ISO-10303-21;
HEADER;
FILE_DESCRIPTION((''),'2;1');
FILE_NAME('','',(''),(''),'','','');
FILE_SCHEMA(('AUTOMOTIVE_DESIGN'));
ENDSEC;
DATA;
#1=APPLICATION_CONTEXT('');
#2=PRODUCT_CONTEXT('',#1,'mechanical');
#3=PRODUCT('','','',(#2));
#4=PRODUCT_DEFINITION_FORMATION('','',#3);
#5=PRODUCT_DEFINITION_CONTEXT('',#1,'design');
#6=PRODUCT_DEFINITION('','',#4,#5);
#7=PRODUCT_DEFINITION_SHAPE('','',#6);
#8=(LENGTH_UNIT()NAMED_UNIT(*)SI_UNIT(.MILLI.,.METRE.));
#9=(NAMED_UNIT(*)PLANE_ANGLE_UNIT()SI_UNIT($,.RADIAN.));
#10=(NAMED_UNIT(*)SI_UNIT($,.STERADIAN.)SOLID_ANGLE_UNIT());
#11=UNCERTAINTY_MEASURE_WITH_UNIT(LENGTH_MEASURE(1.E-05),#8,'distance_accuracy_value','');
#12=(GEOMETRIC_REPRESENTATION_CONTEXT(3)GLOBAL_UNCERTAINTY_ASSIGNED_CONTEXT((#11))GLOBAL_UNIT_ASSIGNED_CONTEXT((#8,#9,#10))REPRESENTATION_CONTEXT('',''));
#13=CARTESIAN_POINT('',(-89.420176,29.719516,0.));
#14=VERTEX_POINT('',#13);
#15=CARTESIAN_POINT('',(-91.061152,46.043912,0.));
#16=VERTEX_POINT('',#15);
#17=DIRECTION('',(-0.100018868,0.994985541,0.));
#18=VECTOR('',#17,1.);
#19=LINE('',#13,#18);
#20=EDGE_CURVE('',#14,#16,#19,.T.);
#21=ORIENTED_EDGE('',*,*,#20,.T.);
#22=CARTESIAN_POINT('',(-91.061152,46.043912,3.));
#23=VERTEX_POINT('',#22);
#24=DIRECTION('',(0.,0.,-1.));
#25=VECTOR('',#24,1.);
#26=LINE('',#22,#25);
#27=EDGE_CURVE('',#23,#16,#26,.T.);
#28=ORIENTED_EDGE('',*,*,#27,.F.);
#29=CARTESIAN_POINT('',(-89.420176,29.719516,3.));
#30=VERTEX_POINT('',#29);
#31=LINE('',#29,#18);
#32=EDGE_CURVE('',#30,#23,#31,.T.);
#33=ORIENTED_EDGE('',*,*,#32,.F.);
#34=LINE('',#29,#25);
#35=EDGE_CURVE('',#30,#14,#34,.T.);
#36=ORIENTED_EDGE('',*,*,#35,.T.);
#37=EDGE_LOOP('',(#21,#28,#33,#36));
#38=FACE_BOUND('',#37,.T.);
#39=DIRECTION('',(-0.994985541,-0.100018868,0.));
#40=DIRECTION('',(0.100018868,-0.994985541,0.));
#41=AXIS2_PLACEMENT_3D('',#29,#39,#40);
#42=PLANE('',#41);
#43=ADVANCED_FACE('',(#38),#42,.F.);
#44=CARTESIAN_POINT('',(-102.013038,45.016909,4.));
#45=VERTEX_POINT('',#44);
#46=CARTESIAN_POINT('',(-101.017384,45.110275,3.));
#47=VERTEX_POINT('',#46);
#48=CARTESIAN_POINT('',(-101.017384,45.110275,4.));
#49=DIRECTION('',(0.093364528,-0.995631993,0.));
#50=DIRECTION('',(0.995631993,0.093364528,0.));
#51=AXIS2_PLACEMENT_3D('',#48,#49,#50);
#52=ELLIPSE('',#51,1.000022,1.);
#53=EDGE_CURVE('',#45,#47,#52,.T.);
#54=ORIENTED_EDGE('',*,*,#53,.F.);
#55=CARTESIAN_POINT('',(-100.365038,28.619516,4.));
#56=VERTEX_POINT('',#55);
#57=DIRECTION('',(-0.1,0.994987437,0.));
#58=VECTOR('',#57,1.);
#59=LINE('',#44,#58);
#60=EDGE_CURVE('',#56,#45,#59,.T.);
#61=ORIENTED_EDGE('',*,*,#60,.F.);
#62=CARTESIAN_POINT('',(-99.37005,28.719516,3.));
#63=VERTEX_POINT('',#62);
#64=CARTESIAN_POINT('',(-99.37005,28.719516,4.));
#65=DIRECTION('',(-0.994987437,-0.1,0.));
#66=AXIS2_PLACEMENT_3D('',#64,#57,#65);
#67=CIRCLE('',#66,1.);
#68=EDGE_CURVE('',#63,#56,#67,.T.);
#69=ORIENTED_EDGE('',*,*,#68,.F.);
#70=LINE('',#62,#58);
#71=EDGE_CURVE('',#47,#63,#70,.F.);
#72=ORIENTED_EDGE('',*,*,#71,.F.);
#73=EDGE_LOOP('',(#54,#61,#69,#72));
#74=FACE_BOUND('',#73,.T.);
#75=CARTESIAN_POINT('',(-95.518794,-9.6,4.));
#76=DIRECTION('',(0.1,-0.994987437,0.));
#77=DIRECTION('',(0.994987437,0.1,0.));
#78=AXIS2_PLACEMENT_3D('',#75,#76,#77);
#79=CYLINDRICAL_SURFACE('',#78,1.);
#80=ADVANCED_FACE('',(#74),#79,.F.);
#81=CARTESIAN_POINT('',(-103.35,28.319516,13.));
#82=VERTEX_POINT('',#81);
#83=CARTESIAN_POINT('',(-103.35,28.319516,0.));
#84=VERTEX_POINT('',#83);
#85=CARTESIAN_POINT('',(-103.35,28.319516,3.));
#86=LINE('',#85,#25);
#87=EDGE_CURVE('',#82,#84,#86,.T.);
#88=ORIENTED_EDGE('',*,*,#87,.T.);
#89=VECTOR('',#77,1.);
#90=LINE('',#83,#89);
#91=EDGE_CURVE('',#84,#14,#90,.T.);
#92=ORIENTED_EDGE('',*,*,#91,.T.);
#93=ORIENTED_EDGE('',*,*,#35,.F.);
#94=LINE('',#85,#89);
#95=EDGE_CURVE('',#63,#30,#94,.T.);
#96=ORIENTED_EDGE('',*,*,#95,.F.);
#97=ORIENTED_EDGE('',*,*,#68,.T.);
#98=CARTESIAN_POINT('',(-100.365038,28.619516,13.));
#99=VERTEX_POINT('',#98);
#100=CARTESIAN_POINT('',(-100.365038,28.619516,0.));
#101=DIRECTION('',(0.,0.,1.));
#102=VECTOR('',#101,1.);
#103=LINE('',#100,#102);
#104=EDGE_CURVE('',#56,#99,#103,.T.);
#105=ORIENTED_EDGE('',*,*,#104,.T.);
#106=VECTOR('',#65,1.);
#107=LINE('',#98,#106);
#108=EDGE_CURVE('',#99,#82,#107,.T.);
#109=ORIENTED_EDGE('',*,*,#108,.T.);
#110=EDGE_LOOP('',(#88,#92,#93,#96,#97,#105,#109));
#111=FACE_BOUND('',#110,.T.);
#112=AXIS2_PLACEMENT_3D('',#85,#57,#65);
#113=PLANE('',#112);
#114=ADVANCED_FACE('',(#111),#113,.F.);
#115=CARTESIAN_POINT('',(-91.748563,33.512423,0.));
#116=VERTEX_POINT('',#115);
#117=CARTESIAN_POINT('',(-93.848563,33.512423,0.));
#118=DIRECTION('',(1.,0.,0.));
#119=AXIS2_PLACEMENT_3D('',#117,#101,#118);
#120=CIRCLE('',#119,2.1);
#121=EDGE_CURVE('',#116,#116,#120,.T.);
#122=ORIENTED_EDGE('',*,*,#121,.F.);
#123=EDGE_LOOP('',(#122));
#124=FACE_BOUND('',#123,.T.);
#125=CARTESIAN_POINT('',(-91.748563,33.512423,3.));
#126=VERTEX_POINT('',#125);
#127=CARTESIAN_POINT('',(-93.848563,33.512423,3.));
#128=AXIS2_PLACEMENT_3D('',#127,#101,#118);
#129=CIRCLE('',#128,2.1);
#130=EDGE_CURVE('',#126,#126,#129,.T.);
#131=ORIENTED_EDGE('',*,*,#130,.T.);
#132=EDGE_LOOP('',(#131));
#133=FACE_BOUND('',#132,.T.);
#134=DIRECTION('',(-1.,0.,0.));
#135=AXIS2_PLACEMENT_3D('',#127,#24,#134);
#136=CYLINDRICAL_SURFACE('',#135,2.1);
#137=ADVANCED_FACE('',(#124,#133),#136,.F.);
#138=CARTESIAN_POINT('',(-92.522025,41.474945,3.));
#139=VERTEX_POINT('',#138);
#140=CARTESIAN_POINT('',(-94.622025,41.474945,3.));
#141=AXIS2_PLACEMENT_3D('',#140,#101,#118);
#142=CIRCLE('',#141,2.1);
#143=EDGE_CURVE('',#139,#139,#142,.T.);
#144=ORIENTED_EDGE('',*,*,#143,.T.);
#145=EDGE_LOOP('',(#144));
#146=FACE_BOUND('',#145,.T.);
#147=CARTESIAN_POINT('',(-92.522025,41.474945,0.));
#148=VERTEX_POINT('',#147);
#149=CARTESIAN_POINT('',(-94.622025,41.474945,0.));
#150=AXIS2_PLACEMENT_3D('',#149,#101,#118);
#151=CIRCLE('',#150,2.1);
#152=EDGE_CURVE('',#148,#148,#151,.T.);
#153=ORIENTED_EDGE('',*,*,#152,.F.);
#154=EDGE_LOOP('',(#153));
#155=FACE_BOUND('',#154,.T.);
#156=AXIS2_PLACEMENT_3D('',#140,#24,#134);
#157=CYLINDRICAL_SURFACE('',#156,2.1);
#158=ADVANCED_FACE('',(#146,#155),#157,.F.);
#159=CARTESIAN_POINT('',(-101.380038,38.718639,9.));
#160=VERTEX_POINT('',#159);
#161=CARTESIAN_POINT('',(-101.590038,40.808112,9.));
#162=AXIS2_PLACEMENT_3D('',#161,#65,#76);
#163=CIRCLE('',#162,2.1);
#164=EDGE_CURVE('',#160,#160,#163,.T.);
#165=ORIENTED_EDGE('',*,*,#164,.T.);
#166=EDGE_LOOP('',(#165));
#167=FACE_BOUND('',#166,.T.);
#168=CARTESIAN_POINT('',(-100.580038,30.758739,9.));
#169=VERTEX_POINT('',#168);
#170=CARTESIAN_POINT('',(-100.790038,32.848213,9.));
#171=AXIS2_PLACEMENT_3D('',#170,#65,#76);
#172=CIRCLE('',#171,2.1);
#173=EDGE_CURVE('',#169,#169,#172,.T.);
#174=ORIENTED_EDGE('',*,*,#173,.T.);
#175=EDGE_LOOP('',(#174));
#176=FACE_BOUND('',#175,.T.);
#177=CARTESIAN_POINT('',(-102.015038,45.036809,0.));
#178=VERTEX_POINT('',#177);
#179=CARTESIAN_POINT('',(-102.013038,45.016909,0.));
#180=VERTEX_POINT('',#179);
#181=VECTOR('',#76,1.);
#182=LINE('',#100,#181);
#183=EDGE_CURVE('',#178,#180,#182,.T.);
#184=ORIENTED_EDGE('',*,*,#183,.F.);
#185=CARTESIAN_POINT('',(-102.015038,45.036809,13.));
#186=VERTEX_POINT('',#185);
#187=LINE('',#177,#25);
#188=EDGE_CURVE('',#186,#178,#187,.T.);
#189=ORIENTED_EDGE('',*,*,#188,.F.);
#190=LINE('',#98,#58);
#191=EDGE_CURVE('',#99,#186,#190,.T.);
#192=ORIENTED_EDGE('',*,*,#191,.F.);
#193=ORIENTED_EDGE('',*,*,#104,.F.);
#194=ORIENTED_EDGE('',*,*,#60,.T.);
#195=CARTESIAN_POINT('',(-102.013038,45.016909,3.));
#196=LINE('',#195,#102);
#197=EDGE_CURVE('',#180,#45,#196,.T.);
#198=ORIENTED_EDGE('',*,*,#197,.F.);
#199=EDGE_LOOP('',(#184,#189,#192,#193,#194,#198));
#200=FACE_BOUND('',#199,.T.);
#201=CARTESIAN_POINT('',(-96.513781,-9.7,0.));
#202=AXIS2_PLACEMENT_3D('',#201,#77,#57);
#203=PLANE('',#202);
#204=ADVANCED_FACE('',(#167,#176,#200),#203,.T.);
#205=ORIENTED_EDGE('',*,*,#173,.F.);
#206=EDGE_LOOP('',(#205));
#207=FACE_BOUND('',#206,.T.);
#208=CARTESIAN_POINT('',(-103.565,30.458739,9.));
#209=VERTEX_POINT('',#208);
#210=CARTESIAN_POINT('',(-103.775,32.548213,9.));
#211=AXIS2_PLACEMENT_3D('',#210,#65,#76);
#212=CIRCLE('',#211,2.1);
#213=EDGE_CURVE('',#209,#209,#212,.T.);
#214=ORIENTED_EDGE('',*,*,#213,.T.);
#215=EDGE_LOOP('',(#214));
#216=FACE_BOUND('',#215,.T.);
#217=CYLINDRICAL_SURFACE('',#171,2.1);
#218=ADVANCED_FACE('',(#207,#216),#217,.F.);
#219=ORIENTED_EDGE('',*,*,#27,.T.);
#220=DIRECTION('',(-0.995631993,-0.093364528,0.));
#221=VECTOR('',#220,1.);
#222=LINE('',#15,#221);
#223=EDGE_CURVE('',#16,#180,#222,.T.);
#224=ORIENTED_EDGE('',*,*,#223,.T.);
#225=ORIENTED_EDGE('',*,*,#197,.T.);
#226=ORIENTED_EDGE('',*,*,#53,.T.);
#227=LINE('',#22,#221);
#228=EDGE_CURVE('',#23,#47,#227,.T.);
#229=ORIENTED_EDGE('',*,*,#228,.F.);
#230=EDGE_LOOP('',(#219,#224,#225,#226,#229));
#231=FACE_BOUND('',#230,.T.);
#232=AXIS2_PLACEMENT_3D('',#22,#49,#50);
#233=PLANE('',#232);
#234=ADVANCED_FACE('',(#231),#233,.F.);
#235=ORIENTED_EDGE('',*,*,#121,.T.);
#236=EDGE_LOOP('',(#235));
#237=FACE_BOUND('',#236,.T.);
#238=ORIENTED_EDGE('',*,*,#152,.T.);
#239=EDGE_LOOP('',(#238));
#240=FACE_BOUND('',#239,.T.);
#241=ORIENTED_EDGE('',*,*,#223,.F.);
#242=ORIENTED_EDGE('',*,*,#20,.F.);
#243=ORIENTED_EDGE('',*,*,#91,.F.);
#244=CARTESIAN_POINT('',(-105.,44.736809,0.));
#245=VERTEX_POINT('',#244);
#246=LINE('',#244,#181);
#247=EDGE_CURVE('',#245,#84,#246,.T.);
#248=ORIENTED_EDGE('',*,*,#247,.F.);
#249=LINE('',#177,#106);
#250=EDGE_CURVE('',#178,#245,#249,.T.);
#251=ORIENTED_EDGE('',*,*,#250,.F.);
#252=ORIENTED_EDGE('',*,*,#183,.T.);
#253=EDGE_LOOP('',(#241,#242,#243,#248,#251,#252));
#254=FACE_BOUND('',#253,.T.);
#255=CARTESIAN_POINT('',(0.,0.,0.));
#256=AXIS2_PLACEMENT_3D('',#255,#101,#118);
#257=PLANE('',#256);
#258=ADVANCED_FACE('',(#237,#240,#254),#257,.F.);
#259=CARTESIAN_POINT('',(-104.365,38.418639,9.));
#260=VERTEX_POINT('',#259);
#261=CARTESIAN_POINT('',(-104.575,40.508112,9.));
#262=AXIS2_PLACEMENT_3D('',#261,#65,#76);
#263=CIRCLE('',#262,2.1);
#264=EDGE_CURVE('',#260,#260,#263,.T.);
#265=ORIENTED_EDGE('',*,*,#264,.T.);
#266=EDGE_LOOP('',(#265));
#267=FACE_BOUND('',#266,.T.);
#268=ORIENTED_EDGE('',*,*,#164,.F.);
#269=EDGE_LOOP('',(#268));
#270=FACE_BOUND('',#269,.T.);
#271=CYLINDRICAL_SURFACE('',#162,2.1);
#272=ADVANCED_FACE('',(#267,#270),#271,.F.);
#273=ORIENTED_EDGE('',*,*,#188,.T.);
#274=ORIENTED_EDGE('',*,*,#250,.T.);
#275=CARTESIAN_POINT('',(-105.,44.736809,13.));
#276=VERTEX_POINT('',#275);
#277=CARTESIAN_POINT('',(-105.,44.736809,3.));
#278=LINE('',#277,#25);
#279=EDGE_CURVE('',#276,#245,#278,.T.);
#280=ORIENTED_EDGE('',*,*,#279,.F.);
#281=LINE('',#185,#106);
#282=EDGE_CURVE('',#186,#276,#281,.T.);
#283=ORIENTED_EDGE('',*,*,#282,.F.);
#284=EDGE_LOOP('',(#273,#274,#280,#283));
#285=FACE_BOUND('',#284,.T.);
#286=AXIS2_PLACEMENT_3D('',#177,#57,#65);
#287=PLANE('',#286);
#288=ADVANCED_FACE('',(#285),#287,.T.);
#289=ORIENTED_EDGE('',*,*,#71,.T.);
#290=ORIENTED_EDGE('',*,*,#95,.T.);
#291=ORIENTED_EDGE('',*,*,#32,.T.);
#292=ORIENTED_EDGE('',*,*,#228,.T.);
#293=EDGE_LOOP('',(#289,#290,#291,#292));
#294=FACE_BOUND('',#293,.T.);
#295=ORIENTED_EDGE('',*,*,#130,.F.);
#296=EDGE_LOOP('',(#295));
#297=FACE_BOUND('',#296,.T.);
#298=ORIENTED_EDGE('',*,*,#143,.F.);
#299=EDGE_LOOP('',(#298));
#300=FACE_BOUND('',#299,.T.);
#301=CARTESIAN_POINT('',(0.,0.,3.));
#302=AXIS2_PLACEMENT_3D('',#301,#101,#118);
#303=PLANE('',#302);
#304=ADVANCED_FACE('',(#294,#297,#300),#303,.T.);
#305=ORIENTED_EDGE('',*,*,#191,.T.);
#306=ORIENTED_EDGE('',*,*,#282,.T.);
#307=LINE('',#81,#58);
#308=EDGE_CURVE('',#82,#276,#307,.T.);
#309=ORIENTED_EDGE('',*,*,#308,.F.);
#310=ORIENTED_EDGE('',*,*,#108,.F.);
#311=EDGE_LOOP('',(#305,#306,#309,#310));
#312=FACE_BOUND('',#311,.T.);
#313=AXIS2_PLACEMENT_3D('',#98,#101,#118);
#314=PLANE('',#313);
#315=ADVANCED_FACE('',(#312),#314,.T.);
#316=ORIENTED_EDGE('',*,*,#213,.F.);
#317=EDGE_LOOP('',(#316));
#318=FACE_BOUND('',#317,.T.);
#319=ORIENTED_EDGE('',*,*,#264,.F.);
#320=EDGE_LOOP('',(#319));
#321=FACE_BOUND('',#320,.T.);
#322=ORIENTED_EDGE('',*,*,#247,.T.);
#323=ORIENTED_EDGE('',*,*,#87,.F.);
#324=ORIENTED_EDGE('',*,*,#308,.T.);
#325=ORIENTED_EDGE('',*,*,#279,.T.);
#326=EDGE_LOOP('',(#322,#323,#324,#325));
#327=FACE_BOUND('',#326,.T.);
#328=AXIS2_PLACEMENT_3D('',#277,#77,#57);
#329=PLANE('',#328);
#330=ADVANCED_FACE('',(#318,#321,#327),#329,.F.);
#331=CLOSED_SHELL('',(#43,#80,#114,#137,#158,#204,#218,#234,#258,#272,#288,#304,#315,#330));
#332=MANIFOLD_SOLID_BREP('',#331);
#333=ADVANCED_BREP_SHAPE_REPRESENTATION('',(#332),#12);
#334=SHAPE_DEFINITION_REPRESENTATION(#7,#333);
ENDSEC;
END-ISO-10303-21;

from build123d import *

# Parameters (mm, degrees)
SKETCH1_R           = 2.1
BOSS_EXTRUDE1_DEPTH = 3
SKETCH3_W           = 13
SKETCH3_H           = 16.5
SKETCH3_R           = 2.1
BOSS_EXTRUDE2_DEPTH = 3
FILLET1_R           = 1


with BuildPart() as part:
    # Sketch1 → Boss-Extrude1 (new body)
    with BuildSketch(Plane.XY):
        Polygon((-105, 44.736808962), (-103.35, 28.31951625), (-89.420175881, 29.71951625), (-91.061152102, 46.043912356), align=None)
        with Locations((-94.622025059, 41.474945451)):
            Circle(SKETCH1_R, mode=Mode.SUBTRACT)
        with Locations((-93.848562649, 33.512423495)):
            Circle(SKETCH1_R, mode=Mode.SUBTRACT)
    extrude(amount=BOSS_EXTRUDE1_DEPTH)

    # Sketch3 → Boss-Extrude2 (add)
    with BuildSketch(Plane(origin=(-99.498743711, -10, 0), x_dir=(0, 0, 1), z_dir=(-0.9949874371066202, -0.09999999999999917, 0))):
        with Locations((6.5, 46.762562893)):
            Rectangle(SKETCH3_W, SKETCH3_H)
        with Locations(Location((9, 42.762562893, 0), (0, 0, 270))):
            Circle(SKETCH3_R, mode=Mode.SUBTRACT)
        with Locations(Location((9, 50.762562893, 0), (0, 0, 270))):
            Circle(SKETCH3_R, mode=Mode.SUBTRACT)
    extrude(amount=-BOSS_EXTRUDE2_DEPTH)

    # Fillet1
    fillet1_edges = [part.edges().sort_by_distance(p)[0] for p in [
        (-101.189037666, 36.81821251, 3),
    ]]
    fillet(fillet1_edges, radius=FILLET1_R)


solid = part.part
